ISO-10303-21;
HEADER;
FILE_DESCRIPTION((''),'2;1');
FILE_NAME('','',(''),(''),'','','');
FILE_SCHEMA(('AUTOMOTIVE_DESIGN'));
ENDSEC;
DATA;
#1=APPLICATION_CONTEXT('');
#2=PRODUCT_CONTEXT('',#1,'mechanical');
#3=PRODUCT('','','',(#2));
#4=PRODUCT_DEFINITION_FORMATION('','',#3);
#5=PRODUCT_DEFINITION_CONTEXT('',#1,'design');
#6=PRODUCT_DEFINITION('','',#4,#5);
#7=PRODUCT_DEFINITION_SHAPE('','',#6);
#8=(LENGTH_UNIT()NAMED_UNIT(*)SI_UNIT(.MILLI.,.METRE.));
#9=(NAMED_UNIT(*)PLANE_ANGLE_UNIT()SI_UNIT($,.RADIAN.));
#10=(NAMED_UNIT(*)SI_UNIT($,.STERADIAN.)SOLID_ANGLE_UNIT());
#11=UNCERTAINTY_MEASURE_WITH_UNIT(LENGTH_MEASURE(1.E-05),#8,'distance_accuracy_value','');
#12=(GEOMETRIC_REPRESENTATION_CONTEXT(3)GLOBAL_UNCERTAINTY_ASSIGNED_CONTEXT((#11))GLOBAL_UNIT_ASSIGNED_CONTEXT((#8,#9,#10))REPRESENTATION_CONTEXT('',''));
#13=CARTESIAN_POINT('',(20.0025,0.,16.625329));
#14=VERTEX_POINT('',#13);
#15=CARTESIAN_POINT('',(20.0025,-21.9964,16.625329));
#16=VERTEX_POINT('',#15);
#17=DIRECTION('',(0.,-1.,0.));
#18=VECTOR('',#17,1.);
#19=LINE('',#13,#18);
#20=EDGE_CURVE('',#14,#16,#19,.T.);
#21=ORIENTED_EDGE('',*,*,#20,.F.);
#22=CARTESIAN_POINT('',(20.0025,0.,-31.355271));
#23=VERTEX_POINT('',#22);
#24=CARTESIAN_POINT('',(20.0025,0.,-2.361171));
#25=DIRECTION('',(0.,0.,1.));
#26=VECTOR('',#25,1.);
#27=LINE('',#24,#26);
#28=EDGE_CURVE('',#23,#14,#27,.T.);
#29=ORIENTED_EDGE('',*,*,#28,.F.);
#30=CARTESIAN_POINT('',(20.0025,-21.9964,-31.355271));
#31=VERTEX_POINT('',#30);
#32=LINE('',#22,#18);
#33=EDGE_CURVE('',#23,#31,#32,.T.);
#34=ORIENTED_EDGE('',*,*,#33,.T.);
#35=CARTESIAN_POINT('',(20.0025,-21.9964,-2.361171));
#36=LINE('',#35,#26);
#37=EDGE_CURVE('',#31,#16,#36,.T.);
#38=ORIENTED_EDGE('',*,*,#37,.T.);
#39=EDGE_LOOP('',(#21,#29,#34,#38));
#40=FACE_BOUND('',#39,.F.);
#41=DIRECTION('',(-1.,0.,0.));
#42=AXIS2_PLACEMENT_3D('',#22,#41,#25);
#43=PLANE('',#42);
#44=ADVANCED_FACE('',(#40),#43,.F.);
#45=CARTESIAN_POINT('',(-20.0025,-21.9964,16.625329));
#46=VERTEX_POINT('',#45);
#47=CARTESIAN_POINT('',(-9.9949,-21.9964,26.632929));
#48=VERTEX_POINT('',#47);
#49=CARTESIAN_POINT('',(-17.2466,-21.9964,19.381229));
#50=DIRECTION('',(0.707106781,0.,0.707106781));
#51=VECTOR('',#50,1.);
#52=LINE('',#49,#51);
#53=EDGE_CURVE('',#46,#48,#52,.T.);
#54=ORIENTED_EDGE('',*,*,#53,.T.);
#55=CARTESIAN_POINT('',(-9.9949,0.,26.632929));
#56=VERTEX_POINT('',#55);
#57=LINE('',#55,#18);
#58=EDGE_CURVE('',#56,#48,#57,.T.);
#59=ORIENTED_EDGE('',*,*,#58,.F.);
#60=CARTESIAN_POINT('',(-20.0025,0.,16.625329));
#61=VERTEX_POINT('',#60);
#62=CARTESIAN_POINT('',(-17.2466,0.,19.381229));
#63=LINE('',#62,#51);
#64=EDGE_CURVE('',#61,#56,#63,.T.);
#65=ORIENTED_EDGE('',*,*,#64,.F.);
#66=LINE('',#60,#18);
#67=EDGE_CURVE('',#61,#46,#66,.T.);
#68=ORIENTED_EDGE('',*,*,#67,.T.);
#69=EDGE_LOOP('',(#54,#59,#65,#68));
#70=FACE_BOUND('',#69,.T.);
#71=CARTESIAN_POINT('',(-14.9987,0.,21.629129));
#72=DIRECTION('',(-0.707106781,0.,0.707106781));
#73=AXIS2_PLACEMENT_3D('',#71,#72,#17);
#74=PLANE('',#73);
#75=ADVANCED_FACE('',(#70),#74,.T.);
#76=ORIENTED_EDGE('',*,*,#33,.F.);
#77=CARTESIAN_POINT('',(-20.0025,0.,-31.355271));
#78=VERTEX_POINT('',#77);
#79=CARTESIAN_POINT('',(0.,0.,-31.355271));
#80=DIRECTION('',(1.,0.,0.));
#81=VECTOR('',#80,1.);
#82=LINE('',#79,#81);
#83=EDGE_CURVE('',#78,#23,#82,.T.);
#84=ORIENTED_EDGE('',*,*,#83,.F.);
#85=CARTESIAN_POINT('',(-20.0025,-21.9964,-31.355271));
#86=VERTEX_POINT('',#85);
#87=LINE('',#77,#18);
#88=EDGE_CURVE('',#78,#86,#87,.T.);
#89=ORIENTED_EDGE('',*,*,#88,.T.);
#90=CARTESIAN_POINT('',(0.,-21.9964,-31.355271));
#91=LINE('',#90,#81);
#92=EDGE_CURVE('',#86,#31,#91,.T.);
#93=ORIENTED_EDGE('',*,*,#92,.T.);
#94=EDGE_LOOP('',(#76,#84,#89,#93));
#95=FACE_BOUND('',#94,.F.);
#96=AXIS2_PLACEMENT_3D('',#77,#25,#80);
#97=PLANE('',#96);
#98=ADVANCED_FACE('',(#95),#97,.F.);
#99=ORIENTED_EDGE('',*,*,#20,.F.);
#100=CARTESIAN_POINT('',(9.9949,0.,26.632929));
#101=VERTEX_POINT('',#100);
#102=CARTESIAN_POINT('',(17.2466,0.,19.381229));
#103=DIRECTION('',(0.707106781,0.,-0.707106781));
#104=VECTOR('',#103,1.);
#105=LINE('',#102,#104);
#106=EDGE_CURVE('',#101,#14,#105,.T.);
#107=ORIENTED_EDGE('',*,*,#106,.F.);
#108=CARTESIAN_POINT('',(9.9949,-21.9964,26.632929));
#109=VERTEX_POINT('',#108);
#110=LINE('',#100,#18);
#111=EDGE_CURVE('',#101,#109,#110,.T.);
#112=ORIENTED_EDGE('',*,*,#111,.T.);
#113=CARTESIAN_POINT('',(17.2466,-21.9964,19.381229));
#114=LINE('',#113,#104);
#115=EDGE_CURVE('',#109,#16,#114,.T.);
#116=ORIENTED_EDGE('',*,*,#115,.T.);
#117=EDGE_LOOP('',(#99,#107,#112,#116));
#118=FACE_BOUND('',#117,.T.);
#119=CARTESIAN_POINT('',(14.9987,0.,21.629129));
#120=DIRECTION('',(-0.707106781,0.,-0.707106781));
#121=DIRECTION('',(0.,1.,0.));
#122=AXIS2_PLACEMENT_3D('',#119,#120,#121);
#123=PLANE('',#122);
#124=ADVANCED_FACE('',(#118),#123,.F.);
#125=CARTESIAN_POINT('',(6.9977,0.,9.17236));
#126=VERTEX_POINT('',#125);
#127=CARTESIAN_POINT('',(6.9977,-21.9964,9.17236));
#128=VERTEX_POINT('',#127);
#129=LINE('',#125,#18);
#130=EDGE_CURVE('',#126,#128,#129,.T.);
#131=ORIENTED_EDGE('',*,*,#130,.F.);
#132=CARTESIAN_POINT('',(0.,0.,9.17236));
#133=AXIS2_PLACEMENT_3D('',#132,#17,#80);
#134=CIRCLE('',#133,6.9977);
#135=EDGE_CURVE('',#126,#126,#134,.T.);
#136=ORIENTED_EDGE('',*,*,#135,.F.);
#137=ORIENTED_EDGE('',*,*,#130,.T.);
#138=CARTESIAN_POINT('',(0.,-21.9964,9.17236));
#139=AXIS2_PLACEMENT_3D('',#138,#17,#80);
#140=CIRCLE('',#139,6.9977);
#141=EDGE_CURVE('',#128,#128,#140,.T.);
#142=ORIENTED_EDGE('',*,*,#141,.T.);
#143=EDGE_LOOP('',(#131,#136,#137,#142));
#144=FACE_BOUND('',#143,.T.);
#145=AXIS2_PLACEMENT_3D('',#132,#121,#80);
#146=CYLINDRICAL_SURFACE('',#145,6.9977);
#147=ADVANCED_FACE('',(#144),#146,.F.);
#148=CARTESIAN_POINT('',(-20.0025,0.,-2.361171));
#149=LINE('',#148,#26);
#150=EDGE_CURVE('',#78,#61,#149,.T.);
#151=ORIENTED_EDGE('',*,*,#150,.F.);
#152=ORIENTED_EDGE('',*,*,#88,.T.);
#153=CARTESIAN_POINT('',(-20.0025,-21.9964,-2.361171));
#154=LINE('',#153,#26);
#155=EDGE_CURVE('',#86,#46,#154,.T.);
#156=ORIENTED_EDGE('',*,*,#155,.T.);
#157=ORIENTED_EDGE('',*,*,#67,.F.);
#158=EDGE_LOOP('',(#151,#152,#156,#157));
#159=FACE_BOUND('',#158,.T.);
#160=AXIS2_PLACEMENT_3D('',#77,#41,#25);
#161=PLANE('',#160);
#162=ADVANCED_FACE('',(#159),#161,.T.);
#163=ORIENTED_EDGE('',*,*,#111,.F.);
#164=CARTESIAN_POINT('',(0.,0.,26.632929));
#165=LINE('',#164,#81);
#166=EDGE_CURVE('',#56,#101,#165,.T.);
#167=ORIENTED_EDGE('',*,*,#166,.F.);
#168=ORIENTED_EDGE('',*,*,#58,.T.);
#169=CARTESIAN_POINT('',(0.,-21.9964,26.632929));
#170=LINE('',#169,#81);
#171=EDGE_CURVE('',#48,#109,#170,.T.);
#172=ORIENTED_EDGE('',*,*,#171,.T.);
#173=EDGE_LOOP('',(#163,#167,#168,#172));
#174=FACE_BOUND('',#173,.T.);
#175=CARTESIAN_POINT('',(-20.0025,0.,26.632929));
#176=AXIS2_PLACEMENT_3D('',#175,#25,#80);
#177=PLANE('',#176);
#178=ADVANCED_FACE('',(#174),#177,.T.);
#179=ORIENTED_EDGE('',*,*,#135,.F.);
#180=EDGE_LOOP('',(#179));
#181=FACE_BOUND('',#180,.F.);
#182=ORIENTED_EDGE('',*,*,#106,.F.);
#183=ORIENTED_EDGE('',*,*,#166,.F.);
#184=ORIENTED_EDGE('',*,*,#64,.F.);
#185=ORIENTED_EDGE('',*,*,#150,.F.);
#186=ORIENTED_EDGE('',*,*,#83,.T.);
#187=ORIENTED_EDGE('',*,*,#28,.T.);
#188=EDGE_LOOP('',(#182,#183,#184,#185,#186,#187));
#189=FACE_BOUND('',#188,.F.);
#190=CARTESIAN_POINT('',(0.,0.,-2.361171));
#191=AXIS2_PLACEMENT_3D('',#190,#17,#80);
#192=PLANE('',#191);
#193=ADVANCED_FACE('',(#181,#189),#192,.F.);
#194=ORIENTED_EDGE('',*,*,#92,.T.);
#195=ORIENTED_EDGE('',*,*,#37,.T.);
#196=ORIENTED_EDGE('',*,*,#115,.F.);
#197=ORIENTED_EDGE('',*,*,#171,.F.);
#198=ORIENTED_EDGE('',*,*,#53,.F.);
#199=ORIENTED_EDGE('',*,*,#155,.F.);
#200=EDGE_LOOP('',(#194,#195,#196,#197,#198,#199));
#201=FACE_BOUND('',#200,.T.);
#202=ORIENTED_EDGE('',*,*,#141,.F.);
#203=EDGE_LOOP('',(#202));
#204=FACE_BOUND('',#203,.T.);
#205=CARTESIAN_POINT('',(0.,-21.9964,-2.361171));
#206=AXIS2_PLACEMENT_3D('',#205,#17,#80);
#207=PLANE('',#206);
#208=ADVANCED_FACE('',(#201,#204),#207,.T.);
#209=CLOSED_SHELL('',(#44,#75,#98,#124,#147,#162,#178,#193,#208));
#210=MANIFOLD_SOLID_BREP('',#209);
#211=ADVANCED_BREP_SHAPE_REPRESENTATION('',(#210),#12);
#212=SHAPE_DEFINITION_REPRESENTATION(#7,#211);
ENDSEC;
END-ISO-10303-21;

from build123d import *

# Parameters (mm, degrees)
F0_W     = 40.005
F0_H     = 57.9882
F0_R     = 6.9977
F1_DEPTH = 21.9964
F2_SIZE  = 10.0076


with BuildPart() as f1:
    # F0 (on Front) → F1 (new body)
    with BuildSketch(Plane.XZ):
        with Locations((0, -2.361171)):
            Rectangle(F0_W, F0_H)
        with Locations((0, 9.17236)):
            Circle(F0_R, mode=Mode.SUBTRACT)
    extrude(amount=F1_DEPTH)

    # F2
    f2_edges = [f1.edges().sort_by_distance(p)[0] for p in [
        (20.0025, -10.9982, 26.632929),
        (-20.0025, -10.9982, 26.632929),
    ]]
    chamfer(f2_edges, length=F2_SIZE)


solid = f1.part
